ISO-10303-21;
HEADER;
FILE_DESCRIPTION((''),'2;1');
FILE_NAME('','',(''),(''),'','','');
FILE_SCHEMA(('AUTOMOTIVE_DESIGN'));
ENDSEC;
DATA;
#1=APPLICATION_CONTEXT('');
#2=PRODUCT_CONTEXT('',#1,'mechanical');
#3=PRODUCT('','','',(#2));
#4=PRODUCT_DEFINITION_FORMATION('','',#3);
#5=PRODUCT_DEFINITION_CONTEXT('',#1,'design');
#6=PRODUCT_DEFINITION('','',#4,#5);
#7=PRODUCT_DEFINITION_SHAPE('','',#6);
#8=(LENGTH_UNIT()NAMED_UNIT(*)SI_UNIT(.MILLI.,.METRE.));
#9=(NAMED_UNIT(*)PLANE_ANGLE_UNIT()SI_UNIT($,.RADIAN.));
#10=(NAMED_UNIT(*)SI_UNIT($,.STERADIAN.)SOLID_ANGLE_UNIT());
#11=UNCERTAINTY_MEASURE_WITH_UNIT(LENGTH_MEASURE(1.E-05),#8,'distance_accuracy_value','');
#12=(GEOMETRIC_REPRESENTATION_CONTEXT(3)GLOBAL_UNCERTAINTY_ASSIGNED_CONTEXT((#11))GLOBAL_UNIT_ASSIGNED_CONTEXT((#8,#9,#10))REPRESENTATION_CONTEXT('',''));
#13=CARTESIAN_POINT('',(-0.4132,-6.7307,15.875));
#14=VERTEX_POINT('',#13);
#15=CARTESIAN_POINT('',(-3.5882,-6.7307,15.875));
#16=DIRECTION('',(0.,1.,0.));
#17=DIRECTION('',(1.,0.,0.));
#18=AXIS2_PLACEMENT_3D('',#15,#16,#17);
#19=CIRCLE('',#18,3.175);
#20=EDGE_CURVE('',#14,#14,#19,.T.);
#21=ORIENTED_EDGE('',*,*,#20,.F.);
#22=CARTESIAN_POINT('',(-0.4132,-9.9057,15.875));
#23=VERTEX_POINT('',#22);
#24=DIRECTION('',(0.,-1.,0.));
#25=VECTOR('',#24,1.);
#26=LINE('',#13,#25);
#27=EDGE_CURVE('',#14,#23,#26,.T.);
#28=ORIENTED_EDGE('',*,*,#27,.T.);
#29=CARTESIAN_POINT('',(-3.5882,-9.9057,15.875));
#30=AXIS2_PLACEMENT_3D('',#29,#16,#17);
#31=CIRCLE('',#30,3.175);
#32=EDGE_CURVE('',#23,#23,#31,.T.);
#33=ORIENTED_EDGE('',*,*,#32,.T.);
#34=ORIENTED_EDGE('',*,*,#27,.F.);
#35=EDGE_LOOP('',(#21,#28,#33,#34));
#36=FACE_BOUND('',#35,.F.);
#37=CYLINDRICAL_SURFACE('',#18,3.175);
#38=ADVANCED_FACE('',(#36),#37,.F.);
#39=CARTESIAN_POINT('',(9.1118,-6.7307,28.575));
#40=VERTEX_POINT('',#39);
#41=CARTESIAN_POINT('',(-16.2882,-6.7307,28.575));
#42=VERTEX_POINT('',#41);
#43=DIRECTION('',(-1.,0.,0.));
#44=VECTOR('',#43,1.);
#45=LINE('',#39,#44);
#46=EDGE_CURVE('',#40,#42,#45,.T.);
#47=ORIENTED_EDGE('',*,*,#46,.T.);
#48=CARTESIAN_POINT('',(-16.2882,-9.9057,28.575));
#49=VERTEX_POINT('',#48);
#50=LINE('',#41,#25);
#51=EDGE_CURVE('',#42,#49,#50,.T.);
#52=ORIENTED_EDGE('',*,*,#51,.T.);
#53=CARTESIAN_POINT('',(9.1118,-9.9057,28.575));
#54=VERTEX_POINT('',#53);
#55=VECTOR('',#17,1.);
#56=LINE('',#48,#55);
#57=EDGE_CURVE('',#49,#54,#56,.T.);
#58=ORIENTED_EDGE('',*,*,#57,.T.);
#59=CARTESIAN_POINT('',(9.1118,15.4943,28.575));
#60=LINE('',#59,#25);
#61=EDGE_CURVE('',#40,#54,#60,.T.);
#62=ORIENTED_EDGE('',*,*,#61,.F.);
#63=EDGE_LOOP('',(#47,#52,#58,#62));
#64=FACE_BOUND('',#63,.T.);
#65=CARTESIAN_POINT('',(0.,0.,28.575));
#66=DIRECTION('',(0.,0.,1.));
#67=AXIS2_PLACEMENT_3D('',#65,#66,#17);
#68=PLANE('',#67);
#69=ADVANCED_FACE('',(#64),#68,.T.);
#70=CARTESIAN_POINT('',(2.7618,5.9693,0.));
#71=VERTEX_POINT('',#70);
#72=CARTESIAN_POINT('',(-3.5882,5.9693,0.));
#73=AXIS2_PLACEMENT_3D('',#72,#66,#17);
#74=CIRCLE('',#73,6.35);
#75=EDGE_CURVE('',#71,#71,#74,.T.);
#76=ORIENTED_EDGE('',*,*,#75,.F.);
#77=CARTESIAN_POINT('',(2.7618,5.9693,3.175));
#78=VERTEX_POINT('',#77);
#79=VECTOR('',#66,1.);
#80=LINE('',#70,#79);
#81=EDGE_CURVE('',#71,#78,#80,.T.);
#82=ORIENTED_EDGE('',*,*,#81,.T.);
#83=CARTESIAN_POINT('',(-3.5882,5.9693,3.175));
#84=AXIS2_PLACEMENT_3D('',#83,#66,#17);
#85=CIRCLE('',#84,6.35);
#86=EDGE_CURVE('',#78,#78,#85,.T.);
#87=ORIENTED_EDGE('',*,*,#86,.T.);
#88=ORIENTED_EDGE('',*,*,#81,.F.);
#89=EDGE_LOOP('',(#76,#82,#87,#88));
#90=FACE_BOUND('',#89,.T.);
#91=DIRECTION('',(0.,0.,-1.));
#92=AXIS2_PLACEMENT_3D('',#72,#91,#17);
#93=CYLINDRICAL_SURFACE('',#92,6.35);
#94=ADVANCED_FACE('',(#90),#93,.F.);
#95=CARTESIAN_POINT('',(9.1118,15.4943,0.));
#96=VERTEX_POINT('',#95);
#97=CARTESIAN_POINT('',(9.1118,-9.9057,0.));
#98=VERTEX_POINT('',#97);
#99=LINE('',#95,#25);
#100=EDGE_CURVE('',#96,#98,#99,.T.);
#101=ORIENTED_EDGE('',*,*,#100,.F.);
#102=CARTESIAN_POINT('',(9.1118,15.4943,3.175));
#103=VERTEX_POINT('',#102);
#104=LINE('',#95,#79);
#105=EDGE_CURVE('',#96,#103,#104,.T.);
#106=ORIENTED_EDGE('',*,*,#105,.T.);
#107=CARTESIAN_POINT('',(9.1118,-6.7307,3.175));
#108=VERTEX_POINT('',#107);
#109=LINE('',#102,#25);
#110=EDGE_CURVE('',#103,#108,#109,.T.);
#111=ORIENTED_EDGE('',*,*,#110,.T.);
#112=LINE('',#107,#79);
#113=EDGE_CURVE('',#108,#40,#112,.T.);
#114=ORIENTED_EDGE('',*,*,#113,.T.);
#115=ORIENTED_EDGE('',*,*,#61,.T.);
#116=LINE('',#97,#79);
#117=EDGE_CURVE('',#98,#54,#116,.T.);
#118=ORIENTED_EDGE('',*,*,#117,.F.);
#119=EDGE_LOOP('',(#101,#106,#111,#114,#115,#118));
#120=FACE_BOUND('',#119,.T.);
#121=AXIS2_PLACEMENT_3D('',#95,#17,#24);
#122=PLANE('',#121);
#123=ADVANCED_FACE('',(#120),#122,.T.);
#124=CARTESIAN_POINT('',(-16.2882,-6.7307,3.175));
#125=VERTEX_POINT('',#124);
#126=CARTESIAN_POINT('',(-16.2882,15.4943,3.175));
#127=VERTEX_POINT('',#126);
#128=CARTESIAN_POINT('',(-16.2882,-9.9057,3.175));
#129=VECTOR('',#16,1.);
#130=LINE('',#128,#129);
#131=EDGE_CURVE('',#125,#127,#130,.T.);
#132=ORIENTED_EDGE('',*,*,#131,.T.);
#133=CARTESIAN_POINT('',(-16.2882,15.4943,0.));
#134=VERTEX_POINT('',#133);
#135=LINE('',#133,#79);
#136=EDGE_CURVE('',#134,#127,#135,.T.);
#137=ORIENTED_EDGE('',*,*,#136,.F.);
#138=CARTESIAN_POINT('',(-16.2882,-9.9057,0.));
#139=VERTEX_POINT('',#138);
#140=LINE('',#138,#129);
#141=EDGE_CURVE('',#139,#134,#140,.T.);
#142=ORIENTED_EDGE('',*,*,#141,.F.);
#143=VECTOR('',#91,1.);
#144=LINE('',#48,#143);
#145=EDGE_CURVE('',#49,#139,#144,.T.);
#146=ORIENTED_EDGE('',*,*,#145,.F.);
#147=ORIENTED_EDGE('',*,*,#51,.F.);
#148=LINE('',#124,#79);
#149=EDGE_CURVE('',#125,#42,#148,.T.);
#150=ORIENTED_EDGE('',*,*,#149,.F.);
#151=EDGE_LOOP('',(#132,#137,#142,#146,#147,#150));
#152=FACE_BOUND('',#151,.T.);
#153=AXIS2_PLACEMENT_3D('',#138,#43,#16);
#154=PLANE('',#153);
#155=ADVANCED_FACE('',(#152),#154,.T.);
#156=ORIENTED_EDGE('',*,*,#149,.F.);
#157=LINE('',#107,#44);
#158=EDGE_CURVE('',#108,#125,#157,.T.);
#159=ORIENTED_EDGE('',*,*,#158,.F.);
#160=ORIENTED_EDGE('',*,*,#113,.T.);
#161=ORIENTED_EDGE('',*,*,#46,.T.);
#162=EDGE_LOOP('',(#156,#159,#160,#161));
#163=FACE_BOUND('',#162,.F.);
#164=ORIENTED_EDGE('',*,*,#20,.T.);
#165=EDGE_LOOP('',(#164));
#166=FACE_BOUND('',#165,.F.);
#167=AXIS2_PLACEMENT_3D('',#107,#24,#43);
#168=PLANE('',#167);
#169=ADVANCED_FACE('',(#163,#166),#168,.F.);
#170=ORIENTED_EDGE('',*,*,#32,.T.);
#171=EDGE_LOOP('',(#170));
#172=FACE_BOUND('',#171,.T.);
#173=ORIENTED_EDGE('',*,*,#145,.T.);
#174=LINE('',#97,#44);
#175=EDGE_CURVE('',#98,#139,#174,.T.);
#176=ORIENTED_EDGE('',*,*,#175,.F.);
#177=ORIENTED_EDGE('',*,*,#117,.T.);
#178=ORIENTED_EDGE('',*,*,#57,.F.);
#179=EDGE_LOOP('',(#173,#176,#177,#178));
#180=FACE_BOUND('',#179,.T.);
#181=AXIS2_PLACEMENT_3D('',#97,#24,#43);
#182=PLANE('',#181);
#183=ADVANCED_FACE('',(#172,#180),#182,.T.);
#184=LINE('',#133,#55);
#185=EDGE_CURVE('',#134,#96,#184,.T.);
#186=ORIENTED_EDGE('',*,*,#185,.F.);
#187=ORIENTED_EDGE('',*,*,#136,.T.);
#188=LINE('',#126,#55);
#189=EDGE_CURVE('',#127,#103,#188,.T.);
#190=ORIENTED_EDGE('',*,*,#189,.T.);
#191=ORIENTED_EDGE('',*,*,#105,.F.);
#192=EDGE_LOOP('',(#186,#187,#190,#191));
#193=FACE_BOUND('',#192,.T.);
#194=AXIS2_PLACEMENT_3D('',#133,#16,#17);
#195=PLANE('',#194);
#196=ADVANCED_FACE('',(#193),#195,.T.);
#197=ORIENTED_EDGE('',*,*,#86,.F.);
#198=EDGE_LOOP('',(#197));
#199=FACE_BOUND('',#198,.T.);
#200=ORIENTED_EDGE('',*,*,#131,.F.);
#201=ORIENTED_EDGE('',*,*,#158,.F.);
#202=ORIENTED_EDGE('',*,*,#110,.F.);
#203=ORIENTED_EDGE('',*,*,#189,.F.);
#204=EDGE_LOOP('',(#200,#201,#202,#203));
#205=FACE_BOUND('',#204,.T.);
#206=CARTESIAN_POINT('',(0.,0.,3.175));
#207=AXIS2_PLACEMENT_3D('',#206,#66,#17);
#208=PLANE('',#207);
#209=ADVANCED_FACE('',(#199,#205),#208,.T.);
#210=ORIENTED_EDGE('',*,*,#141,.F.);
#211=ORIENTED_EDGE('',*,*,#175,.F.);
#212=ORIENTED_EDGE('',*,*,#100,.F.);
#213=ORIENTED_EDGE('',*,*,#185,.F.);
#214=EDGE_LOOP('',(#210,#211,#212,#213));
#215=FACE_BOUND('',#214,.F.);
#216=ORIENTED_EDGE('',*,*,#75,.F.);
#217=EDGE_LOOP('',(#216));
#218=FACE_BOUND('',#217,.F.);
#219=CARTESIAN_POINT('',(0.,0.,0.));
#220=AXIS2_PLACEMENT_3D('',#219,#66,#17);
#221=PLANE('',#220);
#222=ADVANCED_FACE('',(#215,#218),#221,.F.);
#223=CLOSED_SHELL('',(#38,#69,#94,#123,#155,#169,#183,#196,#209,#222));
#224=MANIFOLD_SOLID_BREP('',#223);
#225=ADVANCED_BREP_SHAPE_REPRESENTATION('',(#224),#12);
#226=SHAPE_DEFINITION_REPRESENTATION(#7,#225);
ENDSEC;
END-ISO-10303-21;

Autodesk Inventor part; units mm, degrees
ref_plane "YZ Plane" through (0, 0, 0) normal (1, 0, 0) x (0, 1, 0)
ref_plane "XZ Plane" through (0, 0, 0) normal (0, 1, 0) x (-1, 0, 0)
ref_plane "XY Plane" through (0, 0, 0) normal (0, 0, 1) x (1, 0, 0)
sketch "Sketch1" plane through (0, 0, 0) normal (0, 0, 1) x (1, 0, 0)
  line L0 (9.1118, -9.9057) -> (-16.2882, -9.9057)
  line L1 (-16.2882, -9.9057) -> (-16.2882, 15.4943)
  line L2 (-16.2882, 15.4943) -> (9.1118, 15.4943)
  line L3 (9.1118, 15.4943) -> (9.1118, -9.9057)
  circle A0 centre (-3.5882, 5.9693) radius 6.35
  point P0 (0, 0)
  dimension "d0" = 25.4
  dimension "d1" = 25.4
  dimension "d2" = 12.7
  dimension "d16" = 9.525
extrude "Extrusion1" add sketch "Sketch1" along normal blind 3.175
sketch "Sketch2" plane through (0, 0, 3.175) normal (0, 0, 1) x (1, 0, 0)
  line L0 (9.1118, 15.4943) -> (9.1118, -9.9057) projected
  line L1 (-16.2882, -9.9057) -> (9.1118, -9.9057)
  line L2 (9.1118, -9.9057) -> (9.1118, -6.7307)
  line L3 (9.1118, -6.7307) -> (-16.2882, -6.7307)
  line L4 (-16.2882, -6.7307) -> (-16.2882, -9.9057)
  point P0 (0, 0)
  dimension "d5" = 3.175
extrude "Extrusion2" add sketch "Sketch2" along normal blind 25.4
sketch "Sketch3" plane through (-16.2882, -6.7307, 3.175) normal (0, 1, 0) x (1, 0, 0)
  line L0 (0, -25.4) -> (25.4, -25.4) projected
  line L1 (25.4, 0) -> (25.4, -25.4) projected
  circle A0 centre (12.7, -12.7) radius 3.175
  point P0 (16.2882, 3.175)
  dimension "d9" = 6.35
  dimension "d11" = 12.7
  dimension "d13" = 12.7
extrude "Extrusion3" cut sketch "Sketch3" against normal blind 25.4
properties part number "Piston Mounting Bracket"
